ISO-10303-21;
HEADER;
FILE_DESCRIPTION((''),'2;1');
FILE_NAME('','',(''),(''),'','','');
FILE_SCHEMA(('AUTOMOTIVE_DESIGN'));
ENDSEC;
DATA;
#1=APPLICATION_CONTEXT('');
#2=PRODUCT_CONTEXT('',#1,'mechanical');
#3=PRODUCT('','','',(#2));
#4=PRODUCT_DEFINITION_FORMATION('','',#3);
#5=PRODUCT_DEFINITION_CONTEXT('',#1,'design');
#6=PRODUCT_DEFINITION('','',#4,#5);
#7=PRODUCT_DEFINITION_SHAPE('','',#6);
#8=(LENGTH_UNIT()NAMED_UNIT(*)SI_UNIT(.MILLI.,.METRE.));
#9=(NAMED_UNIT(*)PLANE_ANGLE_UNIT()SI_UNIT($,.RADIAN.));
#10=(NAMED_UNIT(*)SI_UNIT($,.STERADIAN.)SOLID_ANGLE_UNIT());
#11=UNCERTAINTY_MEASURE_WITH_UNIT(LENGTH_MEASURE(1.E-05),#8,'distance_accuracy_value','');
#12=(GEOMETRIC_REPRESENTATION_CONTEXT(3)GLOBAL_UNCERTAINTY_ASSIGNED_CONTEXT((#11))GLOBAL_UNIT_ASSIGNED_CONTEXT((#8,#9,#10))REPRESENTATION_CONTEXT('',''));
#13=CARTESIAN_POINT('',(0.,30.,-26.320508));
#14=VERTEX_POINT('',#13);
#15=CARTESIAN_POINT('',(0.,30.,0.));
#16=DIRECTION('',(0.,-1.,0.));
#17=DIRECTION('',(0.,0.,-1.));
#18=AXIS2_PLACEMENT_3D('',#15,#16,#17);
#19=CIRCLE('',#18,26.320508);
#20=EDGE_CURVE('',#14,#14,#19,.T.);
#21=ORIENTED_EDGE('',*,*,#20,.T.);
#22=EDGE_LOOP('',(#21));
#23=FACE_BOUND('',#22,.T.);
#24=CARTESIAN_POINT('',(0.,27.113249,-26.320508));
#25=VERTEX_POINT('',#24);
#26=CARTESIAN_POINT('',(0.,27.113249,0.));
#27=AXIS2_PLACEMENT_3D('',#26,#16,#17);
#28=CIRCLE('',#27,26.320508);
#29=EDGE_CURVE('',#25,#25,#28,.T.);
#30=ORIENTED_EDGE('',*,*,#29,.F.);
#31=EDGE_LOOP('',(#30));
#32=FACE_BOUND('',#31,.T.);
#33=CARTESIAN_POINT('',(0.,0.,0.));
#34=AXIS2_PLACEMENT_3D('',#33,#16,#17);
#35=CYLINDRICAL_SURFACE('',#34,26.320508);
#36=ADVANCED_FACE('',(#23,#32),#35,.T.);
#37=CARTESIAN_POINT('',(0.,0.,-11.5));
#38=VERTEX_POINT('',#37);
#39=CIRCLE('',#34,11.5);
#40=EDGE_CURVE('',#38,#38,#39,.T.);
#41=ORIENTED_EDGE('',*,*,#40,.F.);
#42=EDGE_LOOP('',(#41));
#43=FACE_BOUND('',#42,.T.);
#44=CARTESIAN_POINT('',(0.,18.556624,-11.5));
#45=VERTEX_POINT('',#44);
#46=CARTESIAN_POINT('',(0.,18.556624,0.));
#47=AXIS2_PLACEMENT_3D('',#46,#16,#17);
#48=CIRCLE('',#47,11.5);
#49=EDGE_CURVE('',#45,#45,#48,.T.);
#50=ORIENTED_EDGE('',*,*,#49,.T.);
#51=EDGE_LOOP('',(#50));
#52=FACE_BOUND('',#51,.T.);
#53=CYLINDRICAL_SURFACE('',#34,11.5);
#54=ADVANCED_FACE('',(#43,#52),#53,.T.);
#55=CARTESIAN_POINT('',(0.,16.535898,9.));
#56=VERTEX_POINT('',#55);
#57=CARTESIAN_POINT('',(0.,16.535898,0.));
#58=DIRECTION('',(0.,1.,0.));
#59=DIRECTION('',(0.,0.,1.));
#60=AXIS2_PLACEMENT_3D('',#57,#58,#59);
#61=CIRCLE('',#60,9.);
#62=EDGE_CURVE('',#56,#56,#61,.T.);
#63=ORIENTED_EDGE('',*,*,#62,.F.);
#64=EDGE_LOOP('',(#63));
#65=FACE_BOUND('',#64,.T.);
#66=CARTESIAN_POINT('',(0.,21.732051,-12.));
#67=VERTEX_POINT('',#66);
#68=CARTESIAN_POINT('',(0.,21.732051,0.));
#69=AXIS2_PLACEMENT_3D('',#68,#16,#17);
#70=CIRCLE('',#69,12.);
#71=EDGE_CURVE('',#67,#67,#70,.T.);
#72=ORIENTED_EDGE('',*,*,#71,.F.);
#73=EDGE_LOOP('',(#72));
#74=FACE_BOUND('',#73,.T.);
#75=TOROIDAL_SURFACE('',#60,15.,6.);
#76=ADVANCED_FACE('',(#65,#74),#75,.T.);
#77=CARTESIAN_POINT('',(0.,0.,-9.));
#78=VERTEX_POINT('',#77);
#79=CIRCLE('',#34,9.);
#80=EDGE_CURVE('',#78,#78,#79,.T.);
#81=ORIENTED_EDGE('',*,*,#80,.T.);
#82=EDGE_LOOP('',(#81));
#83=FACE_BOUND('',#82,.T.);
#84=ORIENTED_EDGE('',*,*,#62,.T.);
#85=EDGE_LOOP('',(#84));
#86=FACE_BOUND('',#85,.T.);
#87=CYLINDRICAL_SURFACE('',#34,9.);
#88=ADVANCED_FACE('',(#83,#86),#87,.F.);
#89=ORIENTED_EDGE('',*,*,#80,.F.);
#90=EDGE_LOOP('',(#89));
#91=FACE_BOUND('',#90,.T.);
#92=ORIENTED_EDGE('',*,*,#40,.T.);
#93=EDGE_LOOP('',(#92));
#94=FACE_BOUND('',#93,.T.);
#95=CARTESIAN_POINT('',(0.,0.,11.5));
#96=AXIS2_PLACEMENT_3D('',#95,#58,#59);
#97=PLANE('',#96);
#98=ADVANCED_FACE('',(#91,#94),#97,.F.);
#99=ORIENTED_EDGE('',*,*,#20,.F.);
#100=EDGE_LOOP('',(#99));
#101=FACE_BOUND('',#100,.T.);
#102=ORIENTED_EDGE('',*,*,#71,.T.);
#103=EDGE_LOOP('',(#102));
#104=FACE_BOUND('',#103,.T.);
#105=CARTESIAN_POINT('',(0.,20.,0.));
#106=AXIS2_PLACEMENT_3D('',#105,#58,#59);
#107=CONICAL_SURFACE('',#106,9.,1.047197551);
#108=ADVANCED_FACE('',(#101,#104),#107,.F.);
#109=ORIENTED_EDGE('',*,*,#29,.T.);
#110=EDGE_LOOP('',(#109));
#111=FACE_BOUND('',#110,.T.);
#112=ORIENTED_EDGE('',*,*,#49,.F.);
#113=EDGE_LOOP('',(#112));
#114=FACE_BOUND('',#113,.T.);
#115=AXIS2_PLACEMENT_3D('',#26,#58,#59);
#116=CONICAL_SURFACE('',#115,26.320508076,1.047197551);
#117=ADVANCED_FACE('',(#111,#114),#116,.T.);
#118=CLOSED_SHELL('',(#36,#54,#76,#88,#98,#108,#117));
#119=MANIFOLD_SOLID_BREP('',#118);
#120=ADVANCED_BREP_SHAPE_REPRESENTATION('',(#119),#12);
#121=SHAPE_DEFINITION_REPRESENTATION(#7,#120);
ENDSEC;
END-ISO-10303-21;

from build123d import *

# Parameters (mm, degrees)
FILLET1_R = 6


with BuildPart() as part:
    # Sketch1 → Revolve1 (revolve)
    with BuildSketch(Plane(origin=(0, 0, 0), x_dir=(0, 0, -1), z_dir=(1, 0, 0))):
        Polygon((-9, 0), (-9, 20), (-26.320508076, 30), (-26.320508076, 27.113248654), (-11.5, 18.556624327), (-11.5, 0), align=None)
    revolve(axis=Axis((0, 0, 0), (0, 1, 0)))

    # Fillet1
    fillet1_edges = [part.edges().sort_by_distance(p)[0] for p in [
        (0, 20, -9),
    ]]
    fillet(fillet1_edges, radius=FILLET1_R)


solid = part.part
